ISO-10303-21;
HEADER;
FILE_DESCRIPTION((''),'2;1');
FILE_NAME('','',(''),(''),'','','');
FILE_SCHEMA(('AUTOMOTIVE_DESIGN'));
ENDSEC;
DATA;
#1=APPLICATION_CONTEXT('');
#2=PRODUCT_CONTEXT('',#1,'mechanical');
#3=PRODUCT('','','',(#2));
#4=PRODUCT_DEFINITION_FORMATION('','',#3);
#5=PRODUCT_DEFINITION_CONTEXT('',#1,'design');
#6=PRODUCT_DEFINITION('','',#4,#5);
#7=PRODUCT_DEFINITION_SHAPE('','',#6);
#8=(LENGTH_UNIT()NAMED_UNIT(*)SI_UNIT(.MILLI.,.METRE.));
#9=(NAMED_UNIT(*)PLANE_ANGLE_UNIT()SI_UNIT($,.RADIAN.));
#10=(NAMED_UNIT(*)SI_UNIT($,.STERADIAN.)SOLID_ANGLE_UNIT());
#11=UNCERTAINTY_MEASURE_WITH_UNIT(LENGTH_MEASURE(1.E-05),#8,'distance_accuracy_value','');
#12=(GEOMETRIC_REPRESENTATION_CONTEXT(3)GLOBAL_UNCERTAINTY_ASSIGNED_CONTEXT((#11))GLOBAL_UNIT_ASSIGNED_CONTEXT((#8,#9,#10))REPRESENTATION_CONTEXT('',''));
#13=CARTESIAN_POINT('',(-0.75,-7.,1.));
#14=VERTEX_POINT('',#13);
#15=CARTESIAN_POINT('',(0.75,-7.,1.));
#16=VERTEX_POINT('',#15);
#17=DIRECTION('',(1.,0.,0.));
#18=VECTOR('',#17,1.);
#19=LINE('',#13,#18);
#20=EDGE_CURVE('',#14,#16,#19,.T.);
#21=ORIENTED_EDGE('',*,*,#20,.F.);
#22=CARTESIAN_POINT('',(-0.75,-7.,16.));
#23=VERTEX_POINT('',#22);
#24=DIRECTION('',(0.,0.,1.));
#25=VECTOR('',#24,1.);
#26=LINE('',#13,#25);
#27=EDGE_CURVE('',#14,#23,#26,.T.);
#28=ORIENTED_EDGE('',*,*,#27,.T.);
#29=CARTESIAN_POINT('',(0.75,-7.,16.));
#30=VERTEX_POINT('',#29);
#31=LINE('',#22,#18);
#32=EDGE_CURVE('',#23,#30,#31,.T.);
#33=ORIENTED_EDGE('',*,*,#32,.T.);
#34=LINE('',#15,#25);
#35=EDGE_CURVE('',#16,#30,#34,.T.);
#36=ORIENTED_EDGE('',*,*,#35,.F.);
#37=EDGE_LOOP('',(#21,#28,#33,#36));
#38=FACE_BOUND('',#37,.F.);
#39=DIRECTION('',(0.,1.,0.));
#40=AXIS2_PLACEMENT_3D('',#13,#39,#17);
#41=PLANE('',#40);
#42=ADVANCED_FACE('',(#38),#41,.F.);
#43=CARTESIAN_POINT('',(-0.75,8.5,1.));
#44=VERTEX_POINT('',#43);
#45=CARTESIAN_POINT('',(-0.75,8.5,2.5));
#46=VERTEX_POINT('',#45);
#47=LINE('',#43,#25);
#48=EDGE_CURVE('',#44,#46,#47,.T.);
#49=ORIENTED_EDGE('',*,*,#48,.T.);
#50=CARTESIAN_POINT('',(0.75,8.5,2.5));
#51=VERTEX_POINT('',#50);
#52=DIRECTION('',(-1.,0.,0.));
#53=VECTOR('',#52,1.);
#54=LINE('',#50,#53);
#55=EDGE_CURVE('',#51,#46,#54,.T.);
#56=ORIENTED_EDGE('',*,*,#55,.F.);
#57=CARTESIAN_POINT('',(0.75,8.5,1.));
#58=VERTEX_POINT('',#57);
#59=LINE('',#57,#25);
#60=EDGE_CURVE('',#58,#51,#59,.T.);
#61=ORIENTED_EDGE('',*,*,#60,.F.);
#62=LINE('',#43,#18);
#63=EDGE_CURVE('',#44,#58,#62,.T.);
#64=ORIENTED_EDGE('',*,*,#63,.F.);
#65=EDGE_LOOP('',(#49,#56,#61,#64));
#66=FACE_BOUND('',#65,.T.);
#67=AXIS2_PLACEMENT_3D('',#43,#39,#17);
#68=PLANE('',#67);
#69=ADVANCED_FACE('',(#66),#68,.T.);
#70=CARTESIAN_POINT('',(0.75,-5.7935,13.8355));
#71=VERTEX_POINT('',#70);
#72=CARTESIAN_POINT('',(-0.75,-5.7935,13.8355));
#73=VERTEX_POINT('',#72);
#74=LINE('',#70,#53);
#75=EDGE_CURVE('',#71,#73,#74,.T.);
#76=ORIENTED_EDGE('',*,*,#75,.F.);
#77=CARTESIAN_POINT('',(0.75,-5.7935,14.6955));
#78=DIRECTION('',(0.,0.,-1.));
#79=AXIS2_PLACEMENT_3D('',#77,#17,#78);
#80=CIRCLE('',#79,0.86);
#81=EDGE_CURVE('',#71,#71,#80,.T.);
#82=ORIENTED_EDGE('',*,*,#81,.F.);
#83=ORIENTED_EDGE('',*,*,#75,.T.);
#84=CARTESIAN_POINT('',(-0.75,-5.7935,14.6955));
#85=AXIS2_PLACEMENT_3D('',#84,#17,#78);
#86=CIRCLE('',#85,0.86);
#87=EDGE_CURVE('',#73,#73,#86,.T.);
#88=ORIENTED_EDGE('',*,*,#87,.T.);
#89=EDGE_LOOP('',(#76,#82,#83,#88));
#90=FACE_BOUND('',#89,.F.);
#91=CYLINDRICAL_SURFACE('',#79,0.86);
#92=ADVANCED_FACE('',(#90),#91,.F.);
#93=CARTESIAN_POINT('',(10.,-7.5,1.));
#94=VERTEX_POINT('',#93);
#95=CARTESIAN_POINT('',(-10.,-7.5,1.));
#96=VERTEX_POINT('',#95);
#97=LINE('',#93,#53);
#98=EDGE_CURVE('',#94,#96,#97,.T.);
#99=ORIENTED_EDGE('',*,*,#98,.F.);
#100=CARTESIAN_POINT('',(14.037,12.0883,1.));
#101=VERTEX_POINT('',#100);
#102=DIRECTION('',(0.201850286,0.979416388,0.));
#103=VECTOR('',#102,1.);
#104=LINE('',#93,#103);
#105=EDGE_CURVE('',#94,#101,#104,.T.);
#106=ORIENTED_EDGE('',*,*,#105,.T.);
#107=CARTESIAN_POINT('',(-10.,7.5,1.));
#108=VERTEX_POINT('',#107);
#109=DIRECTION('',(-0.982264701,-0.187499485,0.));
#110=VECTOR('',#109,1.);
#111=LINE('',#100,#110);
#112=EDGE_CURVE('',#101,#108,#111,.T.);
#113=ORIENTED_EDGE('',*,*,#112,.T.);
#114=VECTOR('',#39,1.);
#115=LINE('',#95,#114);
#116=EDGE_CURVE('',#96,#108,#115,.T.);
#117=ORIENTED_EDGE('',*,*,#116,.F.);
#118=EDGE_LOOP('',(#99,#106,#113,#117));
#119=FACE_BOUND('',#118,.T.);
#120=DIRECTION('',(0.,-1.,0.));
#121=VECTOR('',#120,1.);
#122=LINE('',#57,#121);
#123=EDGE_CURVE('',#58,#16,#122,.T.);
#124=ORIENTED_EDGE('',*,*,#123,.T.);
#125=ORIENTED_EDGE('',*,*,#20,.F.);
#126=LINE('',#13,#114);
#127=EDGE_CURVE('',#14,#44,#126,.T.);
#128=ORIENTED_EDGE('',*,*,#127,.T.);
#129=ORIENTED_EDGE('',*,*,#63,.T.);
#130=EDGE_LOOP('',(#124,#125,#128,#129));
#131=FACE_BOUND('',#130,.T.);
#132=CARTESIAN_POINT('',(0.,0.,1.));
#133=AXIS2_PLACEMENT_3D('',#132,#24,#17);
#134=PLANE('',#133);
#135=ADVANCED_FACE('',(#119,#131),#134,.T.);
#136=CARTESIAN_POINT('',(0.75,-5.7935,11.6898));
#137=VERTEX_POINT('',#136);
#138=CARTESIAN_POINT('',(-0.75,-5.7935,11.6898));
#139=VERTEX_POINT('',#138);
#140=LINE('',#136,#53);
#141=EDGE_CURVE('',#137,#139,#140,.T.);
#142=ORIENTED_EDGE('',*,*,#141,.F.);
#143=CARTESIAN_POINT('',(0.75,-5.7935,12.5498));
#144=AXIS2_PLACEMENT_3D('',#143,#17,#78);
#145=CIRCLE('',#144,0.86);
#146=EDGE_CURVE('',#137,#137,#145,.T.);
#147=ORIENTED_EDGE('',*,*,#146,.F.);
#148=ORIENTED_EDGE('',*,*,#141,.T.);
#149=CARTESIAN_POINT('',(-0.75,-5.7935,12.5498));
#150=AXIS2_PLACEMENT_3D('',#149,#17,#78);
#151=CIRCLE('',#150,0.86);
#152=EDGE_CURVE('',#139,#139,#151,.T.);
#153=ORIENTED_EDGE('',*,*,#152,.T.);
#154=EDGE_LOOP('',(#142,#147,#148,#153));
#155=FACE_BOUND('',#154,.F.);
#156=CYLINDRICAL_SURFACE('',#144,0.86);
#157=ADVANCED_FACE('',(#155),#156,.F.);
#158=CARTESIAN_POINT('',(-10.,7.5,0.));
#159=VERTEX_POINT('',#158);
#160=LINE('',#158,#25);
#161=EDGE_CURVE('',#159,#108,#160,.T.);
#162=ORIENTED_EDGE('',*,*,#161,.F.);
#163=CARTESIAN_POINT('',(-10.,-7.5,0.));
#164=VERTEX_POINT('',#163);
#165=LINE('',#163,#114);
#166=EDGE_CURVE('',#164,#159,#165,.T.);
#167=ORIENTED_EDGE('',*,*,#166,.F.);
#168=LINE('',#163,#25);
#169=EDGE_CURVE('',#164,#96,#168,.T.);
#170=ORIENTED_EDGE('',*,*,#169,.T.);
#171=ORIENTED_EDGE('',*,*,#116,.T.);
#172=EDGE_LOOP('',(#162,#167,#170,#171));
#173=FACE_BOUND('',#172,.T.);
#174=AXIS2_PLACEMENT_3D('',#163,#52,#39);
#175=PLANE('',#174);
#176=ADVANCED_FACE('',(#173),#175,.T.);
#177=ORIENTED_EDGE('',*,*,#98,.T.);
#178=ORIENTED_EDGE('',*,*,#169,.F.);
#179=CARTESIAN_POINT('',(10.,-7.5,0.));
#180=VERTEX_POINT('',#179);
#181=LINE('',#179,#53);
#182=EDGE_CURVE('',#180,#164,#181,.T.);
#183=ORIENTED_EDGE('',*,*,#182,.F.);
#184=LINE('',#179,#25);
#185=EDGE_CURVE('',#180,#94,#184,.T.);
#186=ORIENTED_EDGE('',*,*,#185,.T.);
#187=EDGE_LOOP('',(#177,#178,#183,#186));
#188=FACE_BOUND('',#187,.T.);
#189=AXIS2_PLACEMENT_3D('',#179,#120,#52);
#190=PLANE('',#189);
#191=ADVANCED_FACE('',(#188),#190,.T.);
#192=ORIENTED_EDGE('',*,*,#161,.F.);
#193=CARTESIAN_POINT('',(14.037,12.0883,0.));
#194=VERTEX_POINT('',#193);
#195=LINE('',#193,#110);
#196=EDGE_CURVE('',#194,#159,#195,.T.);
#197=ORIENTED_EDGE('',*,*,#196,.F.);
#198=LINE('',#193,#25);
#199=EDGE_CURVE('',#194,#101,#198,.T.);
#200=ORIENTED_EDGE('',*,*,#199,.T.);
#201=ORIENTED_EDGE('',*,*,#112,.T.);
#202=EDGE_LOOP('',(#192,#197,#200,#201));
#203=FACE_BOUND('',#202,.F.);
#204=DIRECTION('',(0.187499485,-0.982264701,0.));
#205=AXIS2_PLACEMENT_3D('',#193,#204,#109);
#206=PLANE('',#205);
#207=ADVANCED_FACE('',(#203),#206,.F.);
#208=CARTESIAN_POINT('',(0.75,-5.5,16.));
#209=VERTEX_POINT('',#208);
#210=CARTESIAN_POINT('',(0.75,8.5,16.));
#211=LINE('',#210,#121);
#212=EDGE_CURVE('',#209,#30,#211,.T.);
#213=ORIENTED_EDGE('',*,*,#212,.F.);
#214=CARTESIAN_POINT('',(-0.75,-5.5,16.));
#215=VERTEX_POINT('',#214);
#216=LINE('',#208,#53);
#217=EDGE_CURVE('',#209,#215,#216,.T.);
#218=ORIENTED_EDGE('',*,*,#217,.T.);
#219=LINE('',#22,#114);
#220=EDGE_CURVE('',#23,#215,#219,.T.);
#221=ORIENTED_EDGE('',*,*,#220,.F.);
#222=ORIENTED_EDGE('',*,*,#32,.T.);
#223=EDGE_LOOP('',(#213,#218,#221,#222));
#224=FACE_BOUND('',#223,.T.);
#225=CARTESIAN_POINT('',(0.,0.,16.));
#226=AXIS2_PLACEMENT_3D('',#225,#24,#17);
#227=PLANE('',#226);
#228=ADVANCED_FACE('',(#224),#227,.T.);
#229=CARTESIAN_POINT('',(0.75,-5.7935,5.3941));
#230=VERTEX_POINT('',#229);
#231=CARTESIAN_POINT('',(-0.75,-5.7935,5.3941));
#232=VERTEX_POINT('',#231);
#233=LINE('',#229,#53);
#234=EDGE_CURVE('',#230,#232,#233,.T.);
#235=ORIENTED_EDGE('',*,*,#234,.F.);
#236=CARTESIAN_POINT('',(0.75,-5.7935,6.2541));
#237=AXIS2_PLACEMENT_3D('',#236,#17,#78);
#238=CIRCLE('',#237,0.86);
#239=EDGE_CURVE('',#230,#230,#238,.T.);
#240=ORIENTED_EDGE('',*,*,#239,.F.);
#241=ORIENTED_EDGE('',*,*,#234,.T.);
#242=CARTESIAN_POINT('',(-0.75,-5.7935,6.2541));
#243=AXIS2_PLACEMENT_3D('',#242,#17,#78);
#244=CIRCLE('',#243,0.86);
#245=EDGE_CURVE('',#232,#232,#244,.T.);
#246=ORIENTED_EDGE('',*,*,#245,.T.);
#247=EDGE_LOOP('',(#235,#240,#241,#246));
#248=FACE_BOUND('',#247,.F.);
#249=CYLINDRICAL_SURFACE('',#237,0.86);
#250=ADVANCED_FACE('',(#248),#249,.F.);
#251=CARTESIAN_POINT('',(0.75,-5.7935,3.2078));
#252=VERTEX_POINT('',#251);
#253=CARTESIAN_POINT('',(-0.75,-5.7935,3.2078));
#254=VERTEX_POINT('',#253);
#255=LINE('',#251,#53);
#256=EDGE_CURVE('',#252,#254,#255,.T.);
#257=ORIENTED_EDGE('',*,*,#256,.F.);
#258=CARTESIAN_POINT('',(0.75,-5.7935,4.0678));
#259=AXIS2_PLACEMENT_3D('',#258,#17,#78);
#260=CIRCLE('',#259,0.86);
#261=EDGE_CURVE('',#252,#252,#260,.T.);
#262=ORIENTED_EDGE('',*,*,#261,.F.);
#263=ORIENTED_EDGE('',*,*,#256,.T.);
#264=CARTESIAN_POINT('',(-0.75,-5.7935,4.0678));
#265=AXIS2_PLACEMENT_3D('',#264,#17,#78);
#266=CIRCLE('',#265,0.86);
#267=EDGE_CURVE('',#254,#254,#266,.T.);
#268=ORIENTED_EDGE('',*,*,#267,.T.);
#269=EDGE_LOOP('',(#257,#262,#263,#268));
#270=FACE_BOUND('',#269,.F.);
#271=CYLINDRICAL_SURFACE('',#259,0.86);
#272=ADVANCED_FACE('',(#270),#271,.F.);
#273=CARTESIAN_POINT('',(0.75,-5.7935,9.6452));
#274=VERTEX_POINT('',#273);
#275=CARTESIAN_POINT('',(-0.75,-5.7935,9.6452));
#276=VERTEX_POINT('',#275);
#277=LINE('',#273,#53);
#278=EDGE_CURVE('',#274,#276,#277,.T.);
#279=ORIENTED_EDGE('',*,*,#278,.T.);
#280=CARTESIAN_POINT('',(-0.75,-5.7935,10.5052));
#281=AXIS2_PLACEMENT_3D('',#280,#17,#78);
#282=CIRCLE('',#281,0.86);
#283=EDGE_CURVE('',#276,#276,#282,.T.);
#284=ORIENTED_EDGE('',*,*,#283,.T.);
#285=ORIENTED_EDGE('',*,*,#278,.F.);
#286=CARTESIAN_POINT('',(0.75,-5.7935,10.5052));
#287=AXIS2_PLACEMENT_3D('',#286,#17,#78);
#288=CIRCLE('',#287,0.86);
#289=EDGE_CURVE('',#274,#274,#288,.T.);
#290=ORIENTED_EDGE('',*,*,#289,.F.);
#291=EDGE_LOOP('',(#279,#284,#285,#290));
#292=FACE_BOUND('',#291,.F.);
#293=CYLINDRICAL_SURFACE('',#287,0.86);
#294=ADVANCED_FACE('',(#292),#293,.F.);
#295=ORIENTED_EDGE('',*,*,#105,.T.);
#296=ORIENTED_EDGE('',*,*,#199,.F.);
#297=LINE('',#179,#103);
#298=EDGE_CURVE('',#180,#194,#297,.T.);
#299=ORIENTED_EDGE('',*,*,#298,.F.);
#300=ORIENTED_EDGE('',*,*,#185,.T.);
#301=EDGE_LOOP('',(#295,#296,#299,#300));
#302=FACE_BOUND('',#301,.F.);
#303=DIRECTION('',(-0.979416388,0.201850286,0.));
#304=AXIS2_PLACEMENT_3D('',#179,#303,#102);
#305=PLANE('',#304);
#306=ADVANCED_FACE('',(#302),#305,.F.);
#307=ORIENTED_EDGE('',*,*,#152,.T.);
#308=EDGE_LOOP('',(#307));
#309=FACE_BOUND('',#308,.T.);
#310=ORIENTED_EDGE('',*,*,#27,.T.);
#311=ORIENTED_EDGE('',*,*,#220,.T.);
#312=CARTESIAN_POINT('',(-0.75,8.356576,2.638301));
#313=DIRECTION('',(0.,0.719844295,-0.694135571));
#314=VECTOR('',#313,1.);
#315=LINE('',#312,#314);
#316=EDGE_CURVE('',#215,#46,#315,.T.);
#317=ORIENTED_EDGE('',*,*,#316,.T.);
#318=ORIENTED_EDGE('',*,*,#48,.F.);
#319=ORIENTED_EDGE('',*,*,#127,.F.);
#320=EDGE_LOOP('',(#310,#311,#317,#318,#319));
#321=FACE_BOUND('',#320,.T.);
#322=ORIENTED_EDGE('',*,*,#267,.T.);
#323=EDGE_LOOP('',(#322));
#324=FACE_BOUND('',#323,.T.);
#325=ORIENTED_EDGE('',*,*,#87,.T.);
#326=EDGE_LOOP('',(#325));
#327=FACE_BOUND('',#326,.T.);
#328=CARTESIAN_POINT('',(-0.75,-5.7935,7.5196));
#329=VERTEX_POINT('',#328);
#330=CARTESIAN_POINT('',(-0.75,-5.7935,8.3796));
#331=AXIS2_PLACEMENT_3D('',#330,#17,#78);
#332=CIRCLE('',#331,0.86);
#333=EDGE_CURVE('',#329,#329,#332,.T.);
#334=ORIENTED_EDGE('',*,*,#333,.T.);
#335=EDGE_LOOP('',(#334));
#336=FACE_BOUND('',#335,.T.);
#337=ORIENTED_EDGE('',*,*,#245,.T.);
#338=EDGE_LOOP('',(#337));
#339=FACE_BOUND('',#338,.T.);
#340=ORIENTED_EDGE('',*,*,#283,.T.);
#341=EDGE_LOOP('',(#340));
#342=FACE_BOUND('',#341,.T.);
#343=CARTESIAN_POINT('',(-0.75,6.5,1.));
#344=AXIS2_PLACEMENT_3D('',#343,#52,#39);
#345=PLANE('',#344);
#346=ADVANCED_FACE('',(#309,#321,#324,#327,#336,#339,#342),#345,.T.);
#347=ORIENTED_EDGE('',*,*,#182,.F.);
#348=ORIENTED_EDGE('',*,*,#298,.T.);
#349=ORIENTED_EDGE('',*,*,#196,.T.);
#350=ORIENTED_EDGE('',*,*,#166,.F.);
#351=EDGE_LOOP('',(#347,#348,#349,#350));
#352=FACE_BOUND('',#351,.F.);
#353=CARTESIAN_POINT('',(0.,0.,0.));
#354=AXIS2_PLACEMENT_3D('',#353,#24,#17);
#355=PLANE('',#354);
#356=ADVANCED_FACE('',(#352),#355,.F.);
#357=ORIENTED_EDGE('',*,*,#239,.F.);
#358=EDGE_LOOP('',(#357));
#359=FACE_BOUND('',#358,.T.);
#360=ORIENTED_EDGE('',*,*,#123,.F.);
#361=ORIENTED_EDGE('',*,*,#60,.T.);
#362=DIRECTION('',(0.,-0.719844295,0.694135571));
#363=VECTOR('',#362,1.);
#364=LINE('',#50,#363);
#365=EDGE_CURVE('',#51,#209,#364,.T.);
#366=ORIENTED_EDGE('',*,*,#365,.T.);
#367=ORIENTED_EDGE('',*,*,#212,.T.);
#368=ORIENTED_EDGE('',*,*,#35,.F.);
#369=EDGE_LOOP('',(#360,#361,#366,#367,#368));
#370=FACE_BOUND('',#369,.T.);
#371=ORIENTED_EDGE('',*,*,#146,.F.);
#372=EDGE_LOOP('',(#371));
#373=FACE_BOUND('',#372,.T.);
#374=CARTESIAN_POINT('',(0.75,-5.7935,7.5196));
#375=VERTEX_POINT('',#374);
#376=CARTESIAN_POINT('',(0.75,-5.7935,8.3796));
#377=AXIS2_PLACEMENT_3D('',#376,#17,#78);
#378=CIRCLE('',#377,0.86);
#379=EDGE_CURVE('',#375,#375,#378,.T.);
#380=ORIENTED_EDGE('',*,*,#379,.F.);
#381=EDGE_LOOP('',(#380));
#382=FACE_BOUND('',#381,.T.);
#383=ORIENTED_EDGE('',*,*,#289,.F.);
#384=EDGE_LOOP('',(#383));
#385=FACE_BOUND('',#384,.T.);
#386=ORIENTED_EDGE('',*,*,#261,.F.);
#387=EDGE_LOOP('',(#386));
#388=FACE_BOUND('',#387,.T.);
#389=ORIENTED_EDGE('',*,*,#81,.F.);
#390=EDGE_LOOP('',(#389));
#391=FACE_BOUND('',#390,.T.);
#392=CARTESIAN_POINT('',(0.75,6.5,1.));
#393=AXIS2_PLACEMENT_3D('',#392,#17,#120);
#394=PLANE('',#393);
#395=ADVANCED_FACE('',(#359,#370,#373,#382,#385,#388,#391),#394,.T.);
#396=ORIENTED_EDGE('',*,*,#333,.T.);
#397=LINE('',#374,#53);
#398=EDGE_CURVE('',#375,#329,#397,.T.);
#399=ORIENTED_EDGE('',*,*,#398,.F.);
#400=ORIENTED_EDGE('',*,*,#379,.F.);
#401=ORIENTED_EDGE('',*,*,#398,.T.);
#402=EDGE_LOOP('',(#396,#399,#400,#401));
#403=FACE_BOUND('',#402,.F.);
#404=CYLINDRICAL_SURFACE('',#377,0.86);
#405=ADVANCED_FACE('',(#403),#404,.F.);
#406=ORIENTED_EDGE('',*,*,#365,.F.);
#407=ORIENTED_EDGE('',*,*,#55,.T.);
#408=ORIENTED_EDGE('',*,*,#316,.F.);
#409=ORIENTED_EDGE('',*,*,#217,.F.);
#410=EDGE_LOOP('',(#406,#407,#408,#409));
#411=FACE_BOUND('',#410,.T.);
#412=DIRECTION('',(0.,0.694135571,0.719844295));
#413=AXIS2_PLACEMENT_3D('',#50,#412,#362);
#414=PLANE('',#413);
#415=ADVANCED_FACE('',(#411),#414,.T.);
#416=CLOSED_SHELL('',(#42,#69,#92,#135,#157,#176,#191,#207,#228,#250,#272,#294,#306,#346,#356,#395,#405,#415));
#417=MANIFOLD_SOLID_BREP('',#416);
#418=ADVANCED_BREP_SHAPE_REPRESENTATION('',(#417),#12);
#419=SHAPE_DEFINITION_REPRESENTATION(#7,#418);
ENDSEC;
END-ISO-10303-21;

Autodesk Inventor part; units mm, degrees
ref_plane "YZ Plane" through (0, 0, 0) normal (1, 0, 0) x (0, 1, 0)
ref_plane "XZ Plane" through (0, 0, 0) normal (0, 1, 0) x (-1, 0, 0)
ref_plane "XY Plane" through (0, 0, 0) normal (0, 0, 1) x (1, 0, 0)
sketch "Sketch1" plane through (0, 0, 0) normal (0, 0, 1) x (1, 0, 0)
  line L0 (12.5729, -9.5) -> (10, -7.5)
  line L1 (10, -7.5) -> (-10, -7.5)
  line L2 (-10, -7.5) -> (-10, 7.5)
  line L3 (10, -7.5) -> (14.037, 12.0883)
  line L4 (14.037, 12.0883) -> (-10, 7.5)
  point P0 (0, 0)
  point P1 (-10, 0)
  dimension "d0" = 20
  dimension "d1" = 15
  dimension "d2" = 20
  dimension "d3" = 101.645
  dimension "d18" = 10
  dimension "d19" = 10
  dimension "d20" = 0
extrude "Extrusion1" add sketch "Sketch1" along normal blind 1
sketch "Sketch2" plane through (0, 0, 1) normal (0, 0, 1) x (1, 0, 0)
  line L0 (0.75, 5) -> (0.75, -5)
  line L1 (-0.75, -5) -> (-0.75, 5)
  line L2 (-0.75, 5) -> (-0.75, 6.5)
  line L3 (0.75, 6.5) -> (0.75, 5)
  line L4 (-0.75, -5) -> (-0.75, -7)
  line L5 (-0.75, -7) -> (0.75, -7)
  line L6 (0.75, -7) -> (0.75, -5)
  line L7 (-0.75, 6.5) -> (-0.75, 8.5)
  line L8 (-0.75, 8.5) -> (0.75, 8.5)
  line L9 (0.75, 8.5) -> (0.75, 6.5)
  point P0 (0, 0)
  point P1 (0.75, 0)
  dimension "d7" = 10
  dimension "d8" = 1.5
  dimension "d12" = 1.5
  dimension "d21" = 2
  dimension "d22" = 2
extrude "Extrusion2" add sketch "Sketch2" along normal blind 15
sketch "Sketch5" plane through (0.75, -7, 1) normal (1, 0, 0) x (0, 0, -1)
  line L0 (0, 15.5) -> (0, 0) projected
  line L1 (0, 15.5) -> (-15, 15.5) projected
  line L2 (-15, 0) -> (-15, 15.5) projected
  line L3 (0, 0) -> (-15, 0) projected
  line L4 (-15, 0) -> (-15, 1.5)
  line L5 (0, 15.5) -> (-1.5, 15.5)
  line L6 (-1.5, 15.5) -> (-15, 1.5)
  line L7 (-15, 1.5) -> (-15, 15.5)
  line L8 (-15, 15.5) -> (-1.5, 15.5)
  point P0 (1, 7)
  dimension "d23" = 1.5
  dimension "d24" = 1.5
extrude "Extrusion4" cut sketch "Sketch5" against normal through all contours L6 L2 L1
sketch "Sketch6" plane through (0.75, -7, 1) normal (1, 0, 0) x (0, 0, -1)
  circle A0 centre (-13.6955, 1.2065) radius 0.86
  circle A1 centre (-11.5498, 1.2065) radius 0.86
  circle A2 centre (-9.5052, 1.2065) radius 0.86
  circle A3 centre (-7.3796, 1.2065) radius 0.86
  circle A4 centre (-5.2541, 1.2065) radius 0.86
  circle A5 centre (-3.0678, 1.2065) radius 0.86
  point P0 (1, 7)
  dimension "d27" = 1.72
  dimension "d28" = 1.72
  dimension "d29" = 1.72
  dimension "d30" = 1.72
  dimension "d31" = 1.72
  dimension "d32" = 1.72
extrude "Extrusion5" cut sketch "Sketch6" against normal through all
